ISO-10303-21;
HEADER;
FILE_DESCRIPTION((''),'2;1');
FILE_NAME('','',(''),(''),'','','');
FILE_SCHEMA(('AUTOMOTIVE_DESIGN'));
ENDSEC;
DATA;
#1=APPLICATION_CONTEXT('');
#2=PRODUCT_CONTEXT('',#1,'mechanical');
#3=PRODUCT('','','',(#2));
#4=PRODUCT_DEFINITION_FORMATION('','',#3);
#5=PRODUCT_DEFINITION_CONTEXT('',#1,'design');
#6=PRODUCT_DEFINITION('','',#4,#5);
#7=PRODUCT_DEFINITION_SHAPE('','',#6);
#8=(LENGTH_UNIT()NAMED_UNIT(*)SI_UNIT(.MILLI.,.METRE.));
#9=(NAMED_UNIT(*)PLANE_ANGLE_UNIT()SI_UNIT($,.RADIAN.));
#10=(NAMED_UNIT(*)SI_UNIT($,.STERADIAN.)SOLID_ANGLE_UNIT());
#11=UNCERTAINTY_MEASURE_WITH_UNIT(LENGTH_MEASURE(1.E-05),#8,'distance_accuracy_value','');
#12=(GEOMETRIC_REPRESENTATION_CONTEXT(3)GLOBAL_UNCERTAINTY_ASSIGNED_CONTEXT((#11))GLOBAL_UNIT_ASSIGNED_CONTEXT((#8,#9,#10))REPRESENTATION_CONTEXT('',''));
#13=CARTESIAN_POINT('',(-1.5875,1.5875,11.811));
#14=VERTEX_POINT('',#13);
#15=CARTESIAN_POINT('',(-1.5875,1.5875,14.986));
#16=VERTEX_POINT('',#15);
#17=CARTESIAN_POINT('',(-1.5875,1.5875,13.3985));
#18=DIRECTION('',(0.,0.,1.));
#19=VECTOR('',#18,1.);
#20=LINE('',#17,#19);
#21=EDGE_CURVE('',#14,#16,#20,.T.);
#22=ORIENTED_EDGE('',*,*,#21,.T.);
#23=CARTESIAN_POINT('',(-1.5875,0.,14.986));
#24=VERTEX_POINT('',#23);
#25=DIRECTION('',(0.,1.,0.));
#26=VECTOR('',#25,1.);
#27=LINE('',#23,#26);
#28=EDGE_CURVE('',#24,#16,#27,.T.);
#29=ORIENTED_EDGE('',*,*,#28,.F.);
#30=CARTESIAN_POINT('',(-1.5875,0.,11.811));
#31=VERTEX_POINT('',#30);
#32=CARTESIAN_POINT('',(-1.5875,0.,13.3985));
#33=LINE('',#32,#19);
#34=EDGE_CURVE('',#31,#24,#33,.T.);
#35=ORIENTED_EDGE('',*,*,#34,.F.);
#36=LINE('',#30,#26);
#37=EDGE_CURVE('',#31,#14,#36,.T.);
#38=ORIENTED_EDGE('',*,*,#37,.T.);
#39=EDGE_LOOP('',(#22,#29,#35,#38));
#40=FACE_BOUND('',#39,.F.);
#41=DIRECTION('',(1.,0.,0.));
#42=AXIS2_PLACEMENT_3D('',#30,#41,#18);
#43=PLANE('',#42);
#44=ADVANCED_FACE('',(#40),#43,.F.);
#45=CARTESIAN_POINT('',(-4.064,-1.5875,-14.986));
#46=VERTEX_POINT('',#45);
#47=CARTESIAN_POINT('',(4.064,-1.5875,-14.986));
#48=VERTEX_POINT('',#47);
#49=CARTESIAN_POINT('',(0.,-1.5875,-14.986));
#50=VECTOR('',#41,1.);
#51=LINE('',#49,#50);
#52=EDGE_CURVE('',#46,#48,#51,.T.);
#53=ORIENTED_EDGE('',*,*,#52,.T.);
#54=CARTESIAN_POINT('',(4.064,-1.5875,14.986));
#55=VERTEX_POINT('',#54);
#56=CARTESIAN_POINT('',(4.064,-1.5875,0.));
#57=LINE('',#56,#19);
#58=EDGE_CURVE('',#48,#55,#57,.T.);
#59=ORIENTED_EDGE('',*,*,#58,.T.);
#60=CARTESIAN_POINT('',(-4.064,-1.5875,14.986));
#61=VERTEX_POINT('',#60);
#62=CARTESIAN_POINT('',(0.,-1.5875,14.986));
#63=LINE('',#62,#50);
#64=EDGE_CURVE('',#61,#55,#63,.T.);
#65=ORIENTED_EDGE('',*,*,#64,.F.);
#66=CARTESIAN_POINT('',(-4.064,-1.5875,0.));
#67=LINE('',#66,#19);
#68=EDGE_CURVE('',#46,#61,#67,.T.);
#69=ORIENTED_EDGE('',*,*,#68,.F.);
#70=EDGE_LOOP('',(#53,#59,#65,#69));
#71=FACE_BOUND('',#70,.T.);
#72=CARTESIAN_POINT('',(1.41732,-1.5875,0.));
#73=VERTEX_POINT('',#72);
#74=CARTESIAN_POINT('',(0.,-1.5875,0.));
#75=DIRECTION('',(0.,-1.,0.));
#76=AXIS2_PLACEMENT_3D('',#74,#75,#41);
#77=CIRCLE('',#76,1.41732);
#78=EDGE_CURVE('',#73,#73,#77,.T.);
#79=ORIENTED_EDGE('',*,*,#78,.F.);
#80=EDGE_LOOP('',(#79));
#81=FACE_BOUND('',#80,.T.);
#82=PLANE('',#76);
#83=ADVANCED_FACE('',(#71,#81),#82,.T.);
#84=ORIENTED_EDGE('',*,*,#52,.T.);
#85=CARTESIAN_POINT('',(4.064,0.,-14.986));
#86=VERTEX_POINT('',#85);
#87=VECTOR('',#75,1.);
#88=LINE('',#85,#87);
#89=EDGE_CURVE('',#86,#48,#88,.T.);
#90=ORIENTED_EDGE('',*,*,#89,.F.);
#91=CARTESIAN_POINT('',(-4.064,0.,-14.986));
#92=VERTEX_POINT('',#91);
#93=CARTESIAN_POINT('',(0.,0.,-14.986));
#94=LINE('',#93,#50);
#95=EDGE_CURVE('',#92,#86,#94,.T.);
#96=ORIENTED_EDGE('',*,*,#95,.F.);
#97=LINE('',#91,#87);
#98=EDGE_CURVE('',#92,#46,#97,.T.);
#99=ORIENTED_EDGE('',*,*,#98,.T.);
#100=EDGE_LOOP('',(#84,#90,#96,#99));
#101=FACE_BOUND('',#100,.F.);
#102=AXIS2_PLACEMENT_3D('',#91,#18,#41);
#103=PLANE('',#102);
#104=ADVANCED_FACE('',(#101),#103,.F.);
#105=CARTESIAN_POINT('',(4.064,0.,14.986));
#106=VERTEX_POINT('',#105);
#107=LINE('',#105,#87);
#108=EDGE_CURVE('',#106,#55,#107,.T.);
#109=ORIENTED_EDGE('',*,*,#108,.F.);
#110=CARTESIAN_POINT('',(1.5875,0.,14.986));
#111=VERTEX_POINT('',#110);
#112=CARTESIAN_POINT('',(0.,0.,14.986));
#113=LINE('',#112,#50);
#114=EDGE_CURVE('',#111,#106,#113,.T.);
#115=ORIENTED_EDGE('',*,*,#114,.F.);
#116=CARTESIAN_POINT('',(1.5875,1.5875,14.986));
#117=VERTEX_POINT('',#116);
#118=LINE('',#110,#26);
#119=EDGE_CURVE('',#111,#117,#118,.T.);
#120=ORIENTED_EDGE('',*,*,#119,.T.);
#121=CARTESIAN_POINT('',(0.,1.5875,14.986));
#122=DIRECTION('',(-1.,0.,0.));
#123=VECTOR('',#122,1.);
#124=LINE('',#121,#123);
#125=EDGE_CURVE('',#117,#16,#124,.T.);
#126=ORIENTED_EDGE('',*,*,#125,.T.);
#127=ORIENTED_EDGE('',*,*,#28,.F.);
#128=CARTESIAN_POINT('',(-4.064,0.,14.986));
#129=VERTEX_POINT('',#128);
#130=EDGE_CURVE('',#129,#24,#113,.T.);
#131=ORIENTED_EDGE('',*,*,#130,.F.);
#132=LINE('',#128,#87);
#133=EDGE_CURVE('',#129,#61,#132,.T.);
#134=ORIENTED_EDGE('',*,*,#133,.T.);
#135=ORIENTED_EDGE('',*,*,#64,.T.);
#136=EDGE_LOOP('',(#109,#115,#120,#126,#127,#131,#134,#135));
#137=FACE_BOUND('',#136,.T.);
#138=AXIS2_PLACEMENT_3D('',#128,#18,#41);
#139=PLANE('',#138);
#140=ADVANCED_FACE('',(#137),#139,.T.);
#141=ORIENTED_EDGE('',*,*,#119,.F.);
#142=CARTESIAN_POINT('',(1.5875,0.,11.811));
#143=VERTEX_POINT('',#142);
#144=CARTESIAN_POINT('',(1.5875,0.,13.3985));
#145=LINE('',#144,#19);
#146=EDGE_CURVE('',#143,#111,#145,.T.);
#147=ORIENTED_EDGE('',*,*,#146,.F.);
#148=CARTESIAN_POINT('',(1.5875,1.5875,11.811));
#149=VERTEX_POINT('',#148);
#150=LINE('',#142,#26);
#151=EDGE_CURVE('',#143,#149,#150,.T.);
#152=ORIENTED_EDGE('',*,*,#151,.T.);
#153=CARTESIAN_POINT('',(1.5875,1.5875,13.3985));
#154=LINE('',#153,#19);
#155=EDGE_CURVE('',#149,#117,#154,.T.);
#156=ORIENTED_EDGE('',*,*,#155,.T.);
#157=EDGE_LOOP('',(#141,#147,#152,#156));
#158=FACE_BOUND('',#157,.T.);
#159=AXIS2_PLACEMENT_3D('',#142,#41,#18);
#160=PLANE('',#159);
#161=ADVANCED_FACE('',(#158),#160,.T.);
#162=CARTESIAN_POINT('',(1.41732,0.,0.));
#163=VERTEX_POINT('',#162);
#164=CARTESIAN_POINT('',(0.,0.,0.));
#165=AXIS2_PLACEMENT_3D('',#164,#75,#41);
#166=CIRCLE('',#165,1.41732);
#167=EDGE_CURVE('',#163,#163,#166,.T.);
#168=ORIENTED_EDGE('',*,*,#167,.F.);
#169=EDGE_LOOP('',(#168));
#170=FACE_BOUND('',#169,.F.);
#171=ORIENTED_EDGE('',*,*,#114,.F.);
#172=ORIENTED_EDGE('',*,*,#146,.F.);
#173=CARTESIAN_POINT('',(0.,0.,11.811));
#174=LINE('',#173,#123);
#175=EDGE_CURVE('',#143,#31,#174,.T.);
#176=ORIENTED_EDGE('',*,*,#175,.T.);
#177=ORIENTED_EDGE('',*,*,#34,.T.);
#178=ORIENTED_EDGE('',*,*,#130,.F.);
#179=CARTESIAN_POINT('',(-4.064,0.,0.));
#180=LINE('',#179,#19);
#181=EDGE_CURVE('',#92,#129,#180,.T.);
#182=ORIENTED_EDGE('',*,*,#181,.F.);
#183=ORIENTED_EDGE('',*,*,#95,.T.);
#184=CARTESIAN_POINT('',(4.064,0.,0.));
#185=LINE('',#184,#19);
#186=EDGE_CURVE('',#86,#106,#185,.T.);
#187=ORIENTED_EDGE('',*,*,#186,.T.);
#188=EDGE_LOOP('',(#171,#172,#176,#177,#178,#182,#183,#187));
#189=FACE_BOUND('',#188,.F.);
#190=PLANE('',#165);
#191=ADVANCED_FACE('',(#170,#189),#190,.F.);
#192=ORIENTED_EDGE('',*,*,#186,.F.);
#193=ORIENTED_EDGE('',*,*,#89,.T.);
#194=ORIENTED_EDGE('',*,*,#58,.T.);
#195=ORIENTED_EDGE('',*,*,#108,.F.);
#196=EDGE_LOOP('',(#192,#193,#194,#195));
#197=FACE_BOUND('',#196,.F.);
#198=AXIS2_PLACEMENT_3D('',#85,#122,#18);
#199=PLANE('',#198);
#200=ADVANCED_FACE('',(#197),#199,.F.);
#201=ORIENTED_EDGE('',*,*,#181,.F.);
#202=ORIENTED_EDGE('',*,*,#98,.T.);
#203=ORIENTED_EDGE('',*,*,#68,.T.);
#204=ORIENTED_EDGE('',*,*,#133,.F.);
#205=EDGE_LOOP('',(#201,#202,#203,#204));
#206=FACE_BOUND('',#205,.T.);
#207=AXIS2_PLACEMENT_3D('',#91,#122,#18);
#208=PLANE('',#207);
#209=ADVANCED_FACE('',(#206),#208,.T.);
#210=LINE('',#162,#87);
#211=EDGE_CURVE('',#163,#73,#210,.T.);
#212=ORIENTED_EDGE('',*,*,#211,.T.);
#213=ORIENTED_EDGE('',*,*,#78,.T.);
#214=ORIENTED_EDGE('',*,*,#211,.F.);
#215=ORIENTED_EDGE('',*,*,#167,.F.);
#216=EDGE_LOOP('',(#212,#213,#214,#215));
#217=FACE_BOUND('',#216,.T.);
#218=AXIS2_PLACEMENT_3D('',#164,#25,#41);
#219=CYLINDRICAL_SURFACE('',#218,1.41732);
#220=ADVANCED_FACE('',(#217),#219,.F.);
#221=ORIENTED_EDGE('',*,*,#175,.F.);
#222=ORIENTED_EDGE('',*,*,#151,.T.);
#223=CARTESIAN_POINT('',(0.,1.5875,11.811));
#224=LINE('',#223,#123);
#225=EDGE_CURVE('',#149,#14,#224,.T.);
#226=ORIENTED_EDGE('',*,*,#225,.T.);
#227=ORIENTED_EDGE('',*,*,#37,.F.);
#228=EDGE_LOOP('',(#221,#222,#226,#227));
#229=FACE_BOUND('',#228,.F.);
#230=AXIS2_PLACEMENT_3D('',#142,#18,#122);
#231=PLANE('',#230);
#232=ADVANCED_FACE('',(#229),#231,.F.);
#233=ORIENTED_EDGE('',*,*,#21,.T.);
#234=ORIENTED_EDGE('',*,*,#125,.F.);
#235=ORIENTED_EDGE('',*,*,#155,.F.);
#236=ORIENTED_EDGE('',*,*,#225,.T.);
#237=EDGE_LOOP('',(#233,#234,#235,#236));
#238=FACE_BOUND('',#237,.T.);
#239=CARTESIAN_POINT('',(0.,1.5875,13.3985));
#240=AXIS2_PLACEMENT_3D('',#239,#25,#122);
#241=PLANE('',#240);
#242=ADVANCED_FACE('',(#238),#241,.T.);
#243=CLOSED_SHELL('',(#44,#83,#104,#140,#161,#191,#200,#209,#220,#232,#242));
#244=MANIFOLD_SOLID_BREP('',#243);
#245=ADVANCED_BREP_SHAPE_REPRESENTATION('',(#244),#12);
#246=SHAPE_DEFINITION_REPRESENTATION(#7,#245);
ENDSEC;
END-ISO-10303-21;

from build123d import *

# Parameters (mm, degrees)
F0_W     = 8.128
F0_H     = 29.972
F0_R     = 1.41732
F1_DEPTH = 1.5875
F2_W     = 3.175
F2_H     = 3.175
F3_DEPTH = 1.5875


with BuildPart() as f1:
    # F0 (on Front) → F1 (new body)
    with BuildSketch(Plane.XZ):
        Rectangle(F0_W, F0_H)
        Circle(F0_R, mode=Mode.SUBTRACT)
    extrude(amount=F1_DEPTH)

    # F2 (on face) → F3 (join)
    with BuildSketch(Plane(origin=(0, 0, 0), x_dir=(-1, 0, 0), z_dir=(0, 1, 0))):
        with Locations((0, 13.3985)):
            Rectangle(F2_W, F2_H)
    extrude(amount=F3_DEPTH)


solid = f1.part
